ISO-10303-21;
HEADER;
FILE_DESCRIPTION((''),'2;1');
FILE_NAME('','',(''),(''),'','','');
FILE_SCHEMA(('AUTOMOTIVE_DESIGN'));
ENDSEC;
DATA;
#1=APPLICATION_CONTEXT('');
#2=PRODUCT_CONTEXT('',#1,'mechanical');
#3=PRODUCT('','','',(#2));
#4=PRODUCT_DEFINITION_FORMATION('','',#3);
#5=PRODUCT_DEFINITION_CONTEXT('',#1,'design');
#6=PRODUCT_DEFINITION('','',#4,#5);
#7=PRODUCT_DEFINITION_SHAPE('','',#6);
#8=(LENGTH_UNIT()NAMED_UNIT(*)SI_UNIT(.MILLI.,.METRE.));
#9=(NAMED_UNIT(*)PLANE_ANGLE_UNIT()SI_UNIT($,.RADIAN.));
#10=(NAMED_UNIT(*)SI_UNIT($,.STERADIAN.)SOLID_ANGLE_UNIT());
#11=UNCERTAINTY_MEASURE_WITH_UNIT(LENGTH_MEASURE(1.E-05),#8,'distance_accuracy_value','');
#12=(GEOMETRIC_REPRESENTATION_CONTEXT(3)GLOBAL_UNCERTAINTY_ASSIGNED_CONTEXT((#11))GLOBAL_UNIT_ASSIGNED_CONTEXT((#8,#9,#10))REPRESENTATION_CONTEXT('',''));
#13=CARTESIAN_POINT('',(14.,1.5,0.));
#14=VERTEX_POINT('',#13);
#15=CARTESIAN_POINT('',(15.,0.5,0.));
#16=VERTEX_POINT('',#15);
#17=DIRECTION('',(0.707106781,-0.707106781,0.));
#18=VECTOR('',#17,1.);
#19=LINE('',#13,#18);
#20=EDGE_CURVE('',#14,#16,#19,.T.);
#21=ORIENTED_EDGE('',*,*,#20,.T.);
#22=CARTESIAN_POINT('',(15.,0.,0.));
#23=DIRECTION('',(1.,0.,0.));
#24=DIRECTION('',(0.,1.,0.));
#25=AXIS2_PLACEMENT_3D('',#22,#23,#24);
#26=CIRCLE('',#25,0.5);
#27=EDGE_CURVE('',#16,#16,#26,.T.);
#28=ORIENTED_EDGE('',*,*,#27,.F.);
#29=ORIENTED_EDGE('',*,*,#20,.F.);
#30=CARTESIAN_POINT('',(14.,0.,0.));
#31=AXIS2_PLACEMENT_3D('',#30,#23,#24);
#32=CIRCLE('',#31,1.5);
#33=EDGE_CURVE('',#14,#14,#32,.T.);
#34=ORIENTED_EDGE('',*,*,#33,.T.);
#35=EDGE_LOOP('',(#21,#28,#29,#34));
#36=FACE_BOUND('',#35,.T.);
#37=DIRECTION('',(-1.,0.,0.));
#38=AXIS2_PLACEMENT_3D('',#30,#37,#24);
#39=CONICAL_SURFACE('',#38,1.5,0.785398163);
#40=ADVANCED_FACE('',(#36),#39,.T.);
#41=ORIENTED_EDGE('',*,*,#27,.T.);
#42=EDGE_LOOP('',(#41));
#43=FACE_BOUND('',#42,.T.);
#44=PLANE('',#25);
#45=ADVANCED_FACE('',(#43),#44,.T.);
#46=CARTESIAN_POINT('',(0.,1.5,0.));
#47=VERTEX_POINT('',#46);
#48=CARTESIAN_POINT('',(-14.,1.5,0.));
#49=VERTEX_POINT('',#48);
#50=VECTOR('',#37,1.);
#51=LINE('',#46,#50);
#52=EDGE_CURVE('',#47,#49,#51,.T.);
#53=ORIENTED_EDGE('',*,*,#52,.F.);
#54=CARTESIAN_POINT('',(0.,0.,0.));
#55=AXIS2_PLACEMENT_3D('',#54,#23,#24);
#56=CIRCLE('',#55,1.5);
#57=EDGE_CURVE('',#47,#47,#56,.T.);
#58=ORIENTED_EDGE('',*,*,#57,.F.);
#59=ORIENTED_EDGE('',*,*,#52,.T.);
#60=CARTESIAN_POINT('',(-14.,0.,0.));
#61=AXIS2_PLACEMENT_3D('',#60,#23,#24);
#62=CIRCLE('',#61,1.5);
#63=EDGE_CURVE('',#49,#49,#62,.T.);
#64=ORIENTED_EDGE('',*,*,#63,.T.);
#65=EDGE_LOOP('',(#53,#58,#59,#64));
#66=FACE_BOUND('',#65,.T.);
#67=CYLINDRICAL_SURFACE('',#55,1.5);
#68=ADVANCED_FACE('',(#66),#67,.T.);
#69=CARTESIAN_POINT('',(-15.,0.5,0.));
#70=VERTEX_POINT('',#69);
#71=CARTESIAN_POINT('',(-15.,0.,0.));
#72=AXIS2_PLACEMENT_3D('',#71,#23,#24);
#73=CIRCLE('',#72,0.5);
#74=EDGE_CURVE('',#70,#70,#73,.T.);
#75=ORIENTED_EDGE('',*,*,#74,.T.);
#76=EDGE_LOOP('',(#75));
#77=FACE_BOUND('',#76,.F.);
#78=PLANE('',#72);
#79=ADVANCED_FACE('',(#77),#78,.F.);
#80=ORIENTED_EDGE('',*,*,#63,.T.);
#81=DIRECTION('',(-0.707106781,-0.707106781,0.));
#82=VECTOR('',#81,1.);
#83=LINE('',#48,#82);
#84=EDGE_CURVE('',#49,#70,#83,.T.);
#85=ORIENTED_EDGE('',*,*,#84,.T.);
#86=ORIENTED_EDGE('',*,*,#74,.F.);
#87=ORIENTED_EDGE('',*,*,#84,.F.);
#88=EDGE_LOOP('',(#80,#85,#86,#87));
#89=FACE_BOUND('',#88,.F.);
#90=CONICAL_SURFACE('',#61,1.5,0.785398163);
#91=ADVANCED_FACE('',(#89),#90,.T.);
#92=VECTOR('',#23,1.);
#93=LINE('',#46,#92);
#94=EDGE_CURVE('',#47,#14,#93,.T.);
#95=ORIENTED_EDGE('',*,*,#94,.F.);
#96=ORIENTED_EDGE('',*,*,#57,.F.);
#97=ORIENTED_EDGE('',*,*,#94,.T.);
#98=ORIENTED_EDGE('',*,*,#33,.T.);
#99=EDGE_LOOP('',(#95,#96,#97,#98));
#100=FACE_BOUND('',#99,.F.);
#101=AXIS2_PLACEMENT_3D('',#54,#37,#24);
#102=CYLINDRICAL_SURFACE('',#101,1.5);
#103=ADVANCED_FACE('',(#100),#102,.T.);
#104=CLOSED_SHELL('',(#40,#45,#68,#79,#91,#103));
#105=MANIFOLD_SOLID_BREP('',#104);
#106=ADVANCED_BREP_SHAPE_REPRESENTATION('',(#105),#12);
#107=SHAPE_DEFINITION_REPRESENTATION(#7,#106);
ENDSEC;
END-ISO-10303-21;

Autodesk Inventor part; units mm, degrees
ref_plane "YZ Plane" through (0, 0, 0) normal (1, 0, 0) x (0, 1, 0)
ref_plane "XZ Plane" through (0, 0, 0) normal (0, 1, 0) x (-1, 0, 0)
ref_plane "XY Plane" through (0, 0, 0) normal (0, 0, 1) x (1, 0, 0)
sketch "Sketch1" plane through (0, 0, 0) normal (1, 0, 0) x (0, 1, 0)
  circle A0 centre (0, 0) radius 1.5
  dimension "d0" = 3
extrude "Extrusion1" add sketch "Sketch1" along normal mid plane 30
chamfer "Chamfer1" distance 1 angle 45 2 edges at (15, -1.5, 0) (-15, -1.5, 0)
properties part number "eje17"
